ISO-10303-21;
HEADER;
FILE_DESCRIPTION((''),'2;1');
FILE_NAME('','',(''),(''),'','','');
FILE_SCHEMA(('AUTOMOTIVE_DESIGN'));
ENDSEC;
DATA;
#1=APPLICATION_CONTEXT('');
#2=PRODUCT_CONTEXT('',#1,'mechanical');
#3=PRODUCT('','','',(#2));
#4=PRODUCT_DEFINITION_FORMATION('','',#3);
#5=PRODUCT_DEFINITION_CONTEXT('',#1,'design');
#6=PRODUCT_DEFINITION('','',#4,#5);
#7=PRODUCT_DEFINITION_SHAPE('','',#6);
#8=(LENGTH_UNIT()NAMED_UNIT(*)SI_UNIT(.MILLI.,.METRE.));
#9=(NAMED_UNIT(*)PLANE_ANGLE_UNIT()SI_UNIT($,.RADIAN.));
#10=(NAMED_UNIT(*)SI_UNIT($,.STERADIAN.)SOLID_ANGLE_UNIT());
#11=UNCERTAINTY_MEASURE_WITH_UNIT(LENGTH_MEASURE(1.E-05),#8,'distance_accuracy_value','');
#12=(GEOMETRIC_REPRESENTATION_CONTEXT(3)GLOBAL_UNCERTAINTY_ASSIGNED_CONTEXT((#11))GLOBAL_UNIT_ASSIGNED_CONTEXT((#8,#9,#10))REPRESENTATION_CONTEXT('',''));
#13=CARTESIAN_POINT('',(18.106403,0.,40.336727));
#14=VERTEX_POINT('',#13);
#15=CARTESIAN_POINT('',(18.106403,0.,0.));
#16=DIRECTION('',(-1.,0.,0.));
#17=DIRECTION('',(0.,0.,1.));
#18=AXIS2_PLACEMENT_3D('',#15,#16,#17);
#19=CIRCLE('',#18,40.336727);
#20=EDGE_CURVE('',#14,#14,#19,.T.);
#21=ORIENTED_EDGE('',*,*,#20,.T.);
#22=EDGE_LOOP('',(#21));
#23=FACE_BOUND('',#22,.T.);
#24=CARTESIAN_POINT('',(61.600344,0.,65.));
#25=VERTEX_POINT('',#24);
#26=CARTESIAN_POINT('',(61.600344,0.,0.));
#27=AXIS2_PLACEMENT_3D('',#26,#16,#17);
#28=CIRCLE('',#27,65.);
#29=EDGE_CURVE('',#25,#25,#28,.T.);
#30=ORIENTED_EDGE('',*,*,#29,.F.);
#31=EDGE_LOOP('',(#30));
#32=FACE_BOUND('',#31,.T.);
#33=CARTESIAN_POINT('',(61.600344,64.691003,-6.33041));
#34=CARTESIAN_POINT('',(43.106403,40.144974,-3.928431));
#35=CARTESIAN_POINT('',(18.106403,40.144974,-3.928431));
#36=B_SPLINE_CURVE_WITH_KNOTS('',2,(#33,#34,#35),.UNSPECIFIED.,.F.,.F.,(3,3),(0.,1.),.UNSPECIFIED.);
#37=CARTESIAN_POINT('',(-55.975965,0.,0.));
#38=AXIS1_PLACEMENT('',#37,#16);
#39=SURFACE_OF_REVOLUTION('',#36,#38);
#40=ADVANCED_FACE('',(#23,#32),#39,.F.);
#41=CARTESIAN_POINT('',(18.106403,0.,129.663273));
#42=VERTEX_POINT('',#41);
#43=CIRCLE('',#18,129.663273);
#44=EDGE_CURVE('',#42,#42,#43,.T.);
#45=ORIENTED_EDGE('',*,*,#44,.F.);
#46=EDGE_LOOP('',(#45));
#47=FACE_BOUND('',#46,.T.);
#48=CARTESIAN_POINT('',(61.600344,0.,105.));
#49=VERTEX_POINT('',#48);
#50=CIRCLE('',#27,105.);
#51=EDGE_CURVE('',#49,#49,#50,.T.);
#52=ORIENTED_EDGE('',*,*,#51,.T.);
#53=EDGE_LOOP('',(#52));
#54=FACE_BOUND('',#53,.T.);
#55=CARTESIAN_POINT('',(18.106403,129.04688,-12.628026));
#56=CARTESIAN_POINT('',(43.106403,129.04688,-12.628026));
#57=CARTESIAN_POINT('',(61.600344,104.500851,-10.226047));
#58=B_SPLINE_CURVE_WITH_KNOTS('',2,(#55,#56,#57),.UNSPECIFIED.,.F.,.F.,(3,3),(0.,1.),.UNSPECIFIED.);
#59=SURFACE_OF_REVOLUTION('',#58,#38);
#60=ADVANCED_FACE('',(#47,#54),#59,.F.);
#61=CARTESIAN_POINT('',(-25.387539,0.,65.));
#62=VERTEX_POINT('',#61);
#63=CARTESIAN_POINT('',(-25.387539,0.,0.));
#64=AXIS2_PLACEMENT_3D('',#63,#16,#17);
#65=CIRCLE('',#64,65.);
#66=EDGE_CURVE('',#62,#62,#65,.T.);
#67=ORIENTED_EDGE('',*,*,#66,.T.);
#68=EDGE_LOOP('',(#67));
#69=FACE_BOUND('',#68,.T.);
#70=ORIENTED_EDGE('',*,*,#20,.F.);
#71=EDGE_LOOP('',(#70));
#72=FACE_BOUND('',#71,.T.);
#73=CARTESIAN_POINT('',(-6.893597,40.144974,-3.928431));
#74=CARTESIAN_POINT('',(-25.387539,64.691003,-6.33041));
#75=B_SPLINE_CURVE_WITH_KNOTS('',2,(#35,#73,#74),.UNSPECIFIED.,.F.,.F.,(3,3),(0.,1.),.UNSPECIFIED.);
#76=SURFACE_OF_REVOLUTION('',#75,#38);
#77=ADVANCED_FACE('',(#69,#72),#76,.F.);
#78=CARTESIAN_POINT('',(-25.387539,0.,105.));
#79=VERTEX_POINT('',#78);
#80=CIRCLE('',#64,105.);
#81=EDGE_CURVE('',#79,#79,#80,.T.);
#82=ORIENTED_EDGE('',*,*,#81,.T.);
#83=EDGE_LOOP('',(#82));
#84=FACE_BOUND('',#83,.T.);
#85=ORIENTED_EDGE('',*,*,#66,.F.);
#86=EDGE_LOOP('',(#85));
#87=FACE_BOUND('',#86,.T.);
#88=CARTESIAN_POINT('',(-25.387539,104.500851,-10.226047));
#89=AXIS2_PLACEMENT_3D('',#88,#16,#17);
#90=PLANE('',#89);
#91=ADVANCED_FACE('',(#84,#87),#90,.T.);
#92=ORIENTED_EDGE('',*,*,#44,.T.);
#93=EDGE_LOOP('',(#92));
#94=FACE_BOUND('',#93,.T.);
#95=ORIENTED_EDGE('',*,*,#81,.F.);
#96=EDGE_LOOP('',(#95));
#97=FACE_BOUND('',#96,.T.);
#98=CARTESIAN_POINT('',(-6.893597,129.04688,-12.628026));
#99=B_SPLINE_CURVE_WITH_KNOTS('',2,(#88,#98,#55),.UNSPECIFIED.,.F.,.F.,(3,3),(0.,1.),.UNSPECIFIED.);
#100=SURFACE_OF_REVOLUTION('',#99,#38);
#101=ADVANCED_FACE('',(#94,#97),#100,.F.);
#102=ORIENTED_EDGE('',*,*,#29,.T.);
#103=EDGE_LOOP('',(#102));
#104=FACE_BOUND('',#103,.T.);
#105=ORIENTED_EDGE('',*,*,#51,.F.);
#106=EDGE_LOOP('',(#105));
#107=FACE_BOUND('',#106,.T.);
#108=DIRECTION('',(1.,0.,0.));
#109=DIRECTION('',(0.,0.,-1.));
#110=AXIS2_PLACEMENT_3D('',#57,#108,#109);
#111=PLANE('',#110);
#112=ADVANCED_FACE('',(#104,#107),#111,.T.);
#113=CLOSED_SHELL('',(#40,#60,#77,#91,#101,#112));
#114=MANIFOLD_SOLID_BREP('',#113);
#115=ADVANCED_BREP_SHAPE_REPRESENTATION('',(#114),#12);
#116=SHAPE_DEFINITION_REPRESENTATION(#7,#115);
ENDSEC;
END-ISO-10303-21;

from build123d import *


with BuildPart() as part:
    # 草图2 → 旋转1 (revolve)
    with BuildSketch(Plane(origin=(7.302382416, -265.73073656, 26.003377612), x_dir=(-1, 0, 0), z_dir=(0, -0.09739092738513833, -0.9952462043449665))):
        with BuildLine():
            Line((32.689921627, 372), (32.689921627, 332))
            add(Edge.make_bspline(
                [(32.689921627, 332), (14.195979899, 307.336727041), (-10.804020101, 307.336727041)],
                knots=[0, 0, 0, 1, 1, 1], degree=2))
            add(Edge.make_bspline(
                [(-54.297961828, 332), (-35.804020101, 307.336727041), (-10.804020101, 307.336727041)],
                knots=[0, 0, 0, 1, 1, 1], degree=2))
            Line((-54.297961828, 332), (-54.297961828, 372))
            add(Edge.make_bspline(
                [(-54.297961828, 372), (-35.804020101, 396.663272959), (-10.804020101, 396.663272959)],
                knots=[0, 0, 0, 1, 1, 1], degree=2))
            add(Edge.make_bspline(
                [(32.689921627, 372), (14.195979899, 396.663272959), (-10.804020101, 396.663272959)],
                knots=[0, 0, 0, 1, 1, 1], degree=2))
        make_face()
    revolve(axis=Axis((-55.975964986, 0, 0), (1, 0, 0)))


solid = part.part
